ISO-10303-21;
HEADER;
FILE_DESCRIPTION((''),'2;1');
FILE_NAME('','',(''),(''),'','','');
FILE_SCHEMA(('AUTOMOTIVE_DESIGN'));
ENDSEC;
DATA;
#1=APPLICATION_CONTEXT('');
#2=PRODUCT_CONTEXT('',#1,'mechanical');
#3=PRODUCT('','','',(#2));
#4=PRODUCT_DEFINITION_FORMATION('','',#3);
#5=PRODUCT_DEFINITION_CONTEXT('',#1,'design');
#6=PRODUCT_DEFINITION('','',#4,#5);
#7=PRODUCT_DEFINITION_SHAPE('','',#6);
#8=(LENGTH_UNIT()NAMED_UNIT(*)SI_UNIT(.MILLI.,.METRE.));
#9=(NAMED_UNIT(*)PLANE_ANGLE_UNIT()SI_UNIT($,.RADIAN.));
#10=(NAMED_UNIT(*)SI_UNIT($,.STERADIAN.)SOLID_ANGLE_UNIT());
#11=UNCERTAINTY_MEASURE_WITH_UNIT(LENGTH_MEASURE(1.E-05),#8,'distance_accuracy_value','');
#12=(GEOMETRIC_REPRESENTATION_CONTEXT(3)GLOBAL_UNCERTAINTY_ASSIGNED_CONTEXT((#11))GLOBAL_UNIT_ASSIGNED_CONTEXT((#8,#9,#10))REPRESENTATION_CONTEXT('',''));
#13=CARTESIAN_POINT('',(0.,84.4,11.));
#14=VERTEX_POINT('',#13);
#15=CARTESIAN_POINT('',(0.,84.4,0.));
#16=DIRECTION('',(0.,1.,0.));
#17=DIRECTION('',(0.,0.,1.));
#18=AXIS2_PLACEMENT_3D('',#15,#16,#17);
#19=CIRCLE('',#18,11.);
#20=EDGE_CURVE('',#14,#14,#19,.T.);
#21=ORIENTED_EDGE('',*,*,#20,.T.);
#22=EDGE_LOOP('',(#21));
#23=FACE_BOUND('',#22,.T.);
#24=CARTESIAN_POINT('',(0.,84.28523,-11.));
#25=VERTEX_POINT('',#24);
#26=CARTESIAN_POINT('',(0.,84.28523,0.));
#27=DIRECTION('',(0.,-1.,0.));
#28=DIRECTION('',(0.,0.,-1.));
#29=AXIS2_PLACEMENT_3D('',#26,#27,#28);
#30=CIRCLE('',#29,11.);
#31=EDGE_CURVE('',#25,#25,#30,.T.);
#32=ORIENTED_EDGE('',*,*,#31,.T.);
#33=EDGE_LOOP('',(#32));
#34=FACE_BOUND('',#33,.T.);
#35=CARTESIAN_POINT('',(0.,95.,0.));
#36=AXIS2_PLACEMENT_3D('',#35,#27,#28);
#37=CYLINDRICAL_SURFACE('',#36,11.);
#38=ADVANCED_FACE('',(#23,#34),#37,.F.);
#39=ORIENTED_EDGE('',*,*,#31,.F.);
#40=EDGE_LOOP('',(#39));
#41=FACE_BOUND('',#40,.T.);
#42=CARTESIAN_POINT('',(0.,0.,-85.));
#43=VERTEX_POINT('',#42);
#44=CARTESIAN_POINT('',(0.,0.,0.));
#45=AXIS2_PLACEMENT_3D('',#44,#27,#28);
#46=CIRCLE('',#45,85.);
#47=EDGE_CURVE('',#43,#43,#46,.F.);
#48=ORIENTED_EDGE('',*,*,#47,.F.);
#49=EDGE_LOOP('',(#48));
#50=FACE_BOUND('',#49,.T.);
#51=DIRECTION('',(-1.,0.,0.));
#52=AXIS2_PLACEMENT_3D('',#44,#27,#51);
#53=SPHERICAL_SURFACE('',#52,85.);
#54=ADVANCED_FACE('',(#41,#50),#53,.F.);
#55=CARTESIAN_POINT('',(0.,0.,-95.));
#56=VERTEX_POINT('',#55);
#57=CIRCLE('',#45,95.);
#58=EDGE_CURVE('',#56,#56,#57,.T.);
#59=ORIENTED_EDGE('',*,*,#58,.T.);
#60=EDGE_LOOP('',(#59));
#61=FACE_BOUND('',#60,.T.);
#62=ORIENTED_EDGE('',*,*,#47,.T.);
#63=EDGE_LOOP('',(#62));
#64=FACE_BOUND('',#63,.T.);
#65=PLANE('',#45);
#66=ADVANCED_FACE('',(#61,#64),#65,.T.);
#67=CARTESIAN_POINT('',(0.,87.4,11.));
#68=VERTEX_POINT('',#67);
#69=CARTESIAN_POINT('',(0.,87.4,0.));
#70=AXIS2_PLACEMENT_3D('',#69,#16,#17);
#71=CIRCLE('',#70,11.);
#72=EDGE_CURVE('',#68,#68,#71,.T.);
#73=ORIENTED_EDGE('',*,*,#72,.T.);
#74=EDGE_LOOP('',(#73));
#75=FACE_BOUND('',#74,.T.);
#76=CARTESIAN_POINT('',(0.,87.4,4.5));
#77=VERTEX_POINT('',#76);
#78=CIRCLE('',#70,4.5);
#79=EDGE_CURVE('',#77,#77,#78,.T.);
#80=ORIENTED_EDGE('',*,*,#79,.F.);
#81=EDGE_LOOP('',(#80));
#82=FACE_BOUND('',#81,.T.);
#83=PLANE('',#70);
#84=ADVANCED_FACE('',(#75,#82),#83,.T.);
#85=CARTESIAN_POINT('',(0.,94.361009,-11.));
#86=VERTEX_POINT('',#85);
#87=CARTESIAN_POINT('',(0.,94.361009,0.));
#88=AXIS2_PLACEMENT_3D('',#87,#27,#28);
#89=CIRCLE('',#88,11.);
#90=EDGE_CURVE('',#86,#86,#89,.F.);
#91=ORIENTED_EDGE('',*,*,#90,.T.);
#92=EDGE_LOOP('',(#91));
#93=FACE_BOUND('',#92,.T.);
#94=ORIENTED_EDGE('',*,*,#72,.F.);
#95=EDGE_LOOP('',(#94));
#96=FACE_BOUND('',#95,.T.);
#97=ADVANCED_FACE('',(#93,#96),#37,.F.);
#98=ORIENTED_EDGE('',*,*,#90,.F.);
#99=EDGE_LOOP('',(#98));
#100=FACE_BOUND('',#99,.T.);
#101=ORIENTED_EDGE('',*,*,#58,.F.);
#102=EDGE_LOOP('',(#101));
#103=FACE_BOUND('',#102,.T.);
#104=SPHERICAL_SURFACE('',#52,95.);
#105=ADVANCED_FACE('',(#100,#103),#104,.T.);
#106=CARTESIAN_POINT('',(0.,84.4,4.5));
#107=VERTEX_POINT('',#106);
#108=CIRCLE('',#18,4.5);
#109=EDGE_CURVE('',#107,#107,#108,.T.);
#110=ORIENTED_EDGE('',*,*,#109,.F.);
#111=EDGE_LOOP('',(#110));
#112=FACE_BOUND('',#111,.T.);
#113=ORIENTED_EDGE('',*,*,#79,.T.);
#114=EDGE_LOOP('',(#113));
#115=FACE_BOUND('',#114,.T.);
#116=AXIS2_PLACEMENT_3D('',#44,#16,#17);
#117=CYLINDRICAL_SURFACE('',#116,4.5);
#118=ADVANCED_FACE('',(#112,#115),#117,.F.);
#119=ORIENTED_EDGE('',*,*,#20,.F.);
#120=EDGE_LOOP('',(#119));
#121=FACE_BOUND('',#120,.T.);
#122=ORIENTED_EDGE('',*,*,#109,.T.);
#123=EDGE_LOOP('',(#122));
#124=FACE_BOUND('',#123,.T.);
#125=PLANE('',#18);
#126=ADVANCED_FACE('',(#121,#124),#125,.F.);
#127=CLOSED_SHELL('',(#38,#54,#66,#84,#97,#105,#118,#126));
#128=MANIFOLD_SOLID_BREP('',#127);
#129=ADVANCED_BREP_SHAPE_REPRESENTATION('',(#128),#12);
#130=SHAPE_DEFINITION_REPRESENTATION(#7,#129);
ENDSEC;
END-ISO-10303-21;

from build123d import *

# Parameters (mm, degrees)
SKETCH2_W              = 242.645613954
SKETCH2_H              = 231.138030636
CUT_IN_HALF_DEPTH      = 165.544826719
SKETCH3_R              = 11
BALLBEARINGHOLE_DEPTH  = 165.544826719
SKETCH4_R              = 31.202879122
SUPPORTFORHOLE_DEPTH   = 4
F_2NDBEARINGHOLE_START = -7
SKETCH5_R              = 11
F_2NDBEARINGHOLE_DEPTH = 7
SKETCH6_R              = 4.5
INSIDEHOLE_DEPTH       = 161.277134988


with BuildPart() as part:
    # Half Circle → Sphere Revolve (revolve)
    with BuildSketch(Plane.XY):
        with BuildLine():
            Line((0, 85), (0, 95))
            ThreePointArc((0, 95), (-95, 0), (0, -95))
            Line((0, -95), (0, -85))
            ThreePointArc((0, -85), (-85, 0), (0, 85))
        make_face()
    revolve(axis=Axis((0, 85, 0), (0, 1, 0)))

    # Sketch2 → Cut in Half (cut, through all)
    with BuildSketch(Plane(origin=(0, 0, 0), x_dir=(1, 0, 0), z_dir=(0, 1, 0))):
        Rectangle(SKETCH2_W, SKETCH2_H)
    extrude(amount=-CUT_IN_HALF_DEPTH, mode=Mode.SUBTRACT)

    # Sketch3 → BallBearingHole (cut, through all)
    with BuildSketch(Plane(origin=(0, 0, 0), x_dir=(1, 0, 0), z_dir=(0, 1, 0))):
        with Locations(Location((0, 0, 0), (0, 0, 90))):
            Circle(SKETCH3_R)
    extrude(amount=BALLBEARINGHOLE_DEPTH, mode=Mode.SUBTRACT)

    # Sketch4 → SupportForHole (add)
    with BuildSketch(Plane(origin=(0, 84.4, 0), x_dir=(1, 0, 0), z_dir=(0, 1, 0))):
        Circle(SKETCH4_R)
    extrude(amount=SUPPORTFORHOLE_DEPTH)

    # Sketch5 → 2ndBearingHole (cut)
    with BuildSketch(Plane(origin=(0, 94.4, 0), x_dir=(1, 0, 0), z_dir=(0, 1, 0)).offset(F_2NDBEARINGHOLE_START)):
        with Locations(Location((0, 0, 0), (0, 0, 90))):
            Circle(SKETCH5_R)
    extrude(amount=F_2NDBEARINGHOLE_DEPTH, mode=Mode.SUBTRACT)

    # Sketch6 → InsideHole (cut, through all)
    with BuildSketch(Plane(origin=(0, 87.4, 0), x_dir=(1, 0, 0), z_dir=(0, 1, 0))):
        with Locations(Location((0, 0, 0), (0, 0, 270))):
            Circle(SKETCH6_R)
    extrude(amount=-INSIDEHOLE_DEPTH, mode=Mode.SUBTRACT)


solid = part.part
